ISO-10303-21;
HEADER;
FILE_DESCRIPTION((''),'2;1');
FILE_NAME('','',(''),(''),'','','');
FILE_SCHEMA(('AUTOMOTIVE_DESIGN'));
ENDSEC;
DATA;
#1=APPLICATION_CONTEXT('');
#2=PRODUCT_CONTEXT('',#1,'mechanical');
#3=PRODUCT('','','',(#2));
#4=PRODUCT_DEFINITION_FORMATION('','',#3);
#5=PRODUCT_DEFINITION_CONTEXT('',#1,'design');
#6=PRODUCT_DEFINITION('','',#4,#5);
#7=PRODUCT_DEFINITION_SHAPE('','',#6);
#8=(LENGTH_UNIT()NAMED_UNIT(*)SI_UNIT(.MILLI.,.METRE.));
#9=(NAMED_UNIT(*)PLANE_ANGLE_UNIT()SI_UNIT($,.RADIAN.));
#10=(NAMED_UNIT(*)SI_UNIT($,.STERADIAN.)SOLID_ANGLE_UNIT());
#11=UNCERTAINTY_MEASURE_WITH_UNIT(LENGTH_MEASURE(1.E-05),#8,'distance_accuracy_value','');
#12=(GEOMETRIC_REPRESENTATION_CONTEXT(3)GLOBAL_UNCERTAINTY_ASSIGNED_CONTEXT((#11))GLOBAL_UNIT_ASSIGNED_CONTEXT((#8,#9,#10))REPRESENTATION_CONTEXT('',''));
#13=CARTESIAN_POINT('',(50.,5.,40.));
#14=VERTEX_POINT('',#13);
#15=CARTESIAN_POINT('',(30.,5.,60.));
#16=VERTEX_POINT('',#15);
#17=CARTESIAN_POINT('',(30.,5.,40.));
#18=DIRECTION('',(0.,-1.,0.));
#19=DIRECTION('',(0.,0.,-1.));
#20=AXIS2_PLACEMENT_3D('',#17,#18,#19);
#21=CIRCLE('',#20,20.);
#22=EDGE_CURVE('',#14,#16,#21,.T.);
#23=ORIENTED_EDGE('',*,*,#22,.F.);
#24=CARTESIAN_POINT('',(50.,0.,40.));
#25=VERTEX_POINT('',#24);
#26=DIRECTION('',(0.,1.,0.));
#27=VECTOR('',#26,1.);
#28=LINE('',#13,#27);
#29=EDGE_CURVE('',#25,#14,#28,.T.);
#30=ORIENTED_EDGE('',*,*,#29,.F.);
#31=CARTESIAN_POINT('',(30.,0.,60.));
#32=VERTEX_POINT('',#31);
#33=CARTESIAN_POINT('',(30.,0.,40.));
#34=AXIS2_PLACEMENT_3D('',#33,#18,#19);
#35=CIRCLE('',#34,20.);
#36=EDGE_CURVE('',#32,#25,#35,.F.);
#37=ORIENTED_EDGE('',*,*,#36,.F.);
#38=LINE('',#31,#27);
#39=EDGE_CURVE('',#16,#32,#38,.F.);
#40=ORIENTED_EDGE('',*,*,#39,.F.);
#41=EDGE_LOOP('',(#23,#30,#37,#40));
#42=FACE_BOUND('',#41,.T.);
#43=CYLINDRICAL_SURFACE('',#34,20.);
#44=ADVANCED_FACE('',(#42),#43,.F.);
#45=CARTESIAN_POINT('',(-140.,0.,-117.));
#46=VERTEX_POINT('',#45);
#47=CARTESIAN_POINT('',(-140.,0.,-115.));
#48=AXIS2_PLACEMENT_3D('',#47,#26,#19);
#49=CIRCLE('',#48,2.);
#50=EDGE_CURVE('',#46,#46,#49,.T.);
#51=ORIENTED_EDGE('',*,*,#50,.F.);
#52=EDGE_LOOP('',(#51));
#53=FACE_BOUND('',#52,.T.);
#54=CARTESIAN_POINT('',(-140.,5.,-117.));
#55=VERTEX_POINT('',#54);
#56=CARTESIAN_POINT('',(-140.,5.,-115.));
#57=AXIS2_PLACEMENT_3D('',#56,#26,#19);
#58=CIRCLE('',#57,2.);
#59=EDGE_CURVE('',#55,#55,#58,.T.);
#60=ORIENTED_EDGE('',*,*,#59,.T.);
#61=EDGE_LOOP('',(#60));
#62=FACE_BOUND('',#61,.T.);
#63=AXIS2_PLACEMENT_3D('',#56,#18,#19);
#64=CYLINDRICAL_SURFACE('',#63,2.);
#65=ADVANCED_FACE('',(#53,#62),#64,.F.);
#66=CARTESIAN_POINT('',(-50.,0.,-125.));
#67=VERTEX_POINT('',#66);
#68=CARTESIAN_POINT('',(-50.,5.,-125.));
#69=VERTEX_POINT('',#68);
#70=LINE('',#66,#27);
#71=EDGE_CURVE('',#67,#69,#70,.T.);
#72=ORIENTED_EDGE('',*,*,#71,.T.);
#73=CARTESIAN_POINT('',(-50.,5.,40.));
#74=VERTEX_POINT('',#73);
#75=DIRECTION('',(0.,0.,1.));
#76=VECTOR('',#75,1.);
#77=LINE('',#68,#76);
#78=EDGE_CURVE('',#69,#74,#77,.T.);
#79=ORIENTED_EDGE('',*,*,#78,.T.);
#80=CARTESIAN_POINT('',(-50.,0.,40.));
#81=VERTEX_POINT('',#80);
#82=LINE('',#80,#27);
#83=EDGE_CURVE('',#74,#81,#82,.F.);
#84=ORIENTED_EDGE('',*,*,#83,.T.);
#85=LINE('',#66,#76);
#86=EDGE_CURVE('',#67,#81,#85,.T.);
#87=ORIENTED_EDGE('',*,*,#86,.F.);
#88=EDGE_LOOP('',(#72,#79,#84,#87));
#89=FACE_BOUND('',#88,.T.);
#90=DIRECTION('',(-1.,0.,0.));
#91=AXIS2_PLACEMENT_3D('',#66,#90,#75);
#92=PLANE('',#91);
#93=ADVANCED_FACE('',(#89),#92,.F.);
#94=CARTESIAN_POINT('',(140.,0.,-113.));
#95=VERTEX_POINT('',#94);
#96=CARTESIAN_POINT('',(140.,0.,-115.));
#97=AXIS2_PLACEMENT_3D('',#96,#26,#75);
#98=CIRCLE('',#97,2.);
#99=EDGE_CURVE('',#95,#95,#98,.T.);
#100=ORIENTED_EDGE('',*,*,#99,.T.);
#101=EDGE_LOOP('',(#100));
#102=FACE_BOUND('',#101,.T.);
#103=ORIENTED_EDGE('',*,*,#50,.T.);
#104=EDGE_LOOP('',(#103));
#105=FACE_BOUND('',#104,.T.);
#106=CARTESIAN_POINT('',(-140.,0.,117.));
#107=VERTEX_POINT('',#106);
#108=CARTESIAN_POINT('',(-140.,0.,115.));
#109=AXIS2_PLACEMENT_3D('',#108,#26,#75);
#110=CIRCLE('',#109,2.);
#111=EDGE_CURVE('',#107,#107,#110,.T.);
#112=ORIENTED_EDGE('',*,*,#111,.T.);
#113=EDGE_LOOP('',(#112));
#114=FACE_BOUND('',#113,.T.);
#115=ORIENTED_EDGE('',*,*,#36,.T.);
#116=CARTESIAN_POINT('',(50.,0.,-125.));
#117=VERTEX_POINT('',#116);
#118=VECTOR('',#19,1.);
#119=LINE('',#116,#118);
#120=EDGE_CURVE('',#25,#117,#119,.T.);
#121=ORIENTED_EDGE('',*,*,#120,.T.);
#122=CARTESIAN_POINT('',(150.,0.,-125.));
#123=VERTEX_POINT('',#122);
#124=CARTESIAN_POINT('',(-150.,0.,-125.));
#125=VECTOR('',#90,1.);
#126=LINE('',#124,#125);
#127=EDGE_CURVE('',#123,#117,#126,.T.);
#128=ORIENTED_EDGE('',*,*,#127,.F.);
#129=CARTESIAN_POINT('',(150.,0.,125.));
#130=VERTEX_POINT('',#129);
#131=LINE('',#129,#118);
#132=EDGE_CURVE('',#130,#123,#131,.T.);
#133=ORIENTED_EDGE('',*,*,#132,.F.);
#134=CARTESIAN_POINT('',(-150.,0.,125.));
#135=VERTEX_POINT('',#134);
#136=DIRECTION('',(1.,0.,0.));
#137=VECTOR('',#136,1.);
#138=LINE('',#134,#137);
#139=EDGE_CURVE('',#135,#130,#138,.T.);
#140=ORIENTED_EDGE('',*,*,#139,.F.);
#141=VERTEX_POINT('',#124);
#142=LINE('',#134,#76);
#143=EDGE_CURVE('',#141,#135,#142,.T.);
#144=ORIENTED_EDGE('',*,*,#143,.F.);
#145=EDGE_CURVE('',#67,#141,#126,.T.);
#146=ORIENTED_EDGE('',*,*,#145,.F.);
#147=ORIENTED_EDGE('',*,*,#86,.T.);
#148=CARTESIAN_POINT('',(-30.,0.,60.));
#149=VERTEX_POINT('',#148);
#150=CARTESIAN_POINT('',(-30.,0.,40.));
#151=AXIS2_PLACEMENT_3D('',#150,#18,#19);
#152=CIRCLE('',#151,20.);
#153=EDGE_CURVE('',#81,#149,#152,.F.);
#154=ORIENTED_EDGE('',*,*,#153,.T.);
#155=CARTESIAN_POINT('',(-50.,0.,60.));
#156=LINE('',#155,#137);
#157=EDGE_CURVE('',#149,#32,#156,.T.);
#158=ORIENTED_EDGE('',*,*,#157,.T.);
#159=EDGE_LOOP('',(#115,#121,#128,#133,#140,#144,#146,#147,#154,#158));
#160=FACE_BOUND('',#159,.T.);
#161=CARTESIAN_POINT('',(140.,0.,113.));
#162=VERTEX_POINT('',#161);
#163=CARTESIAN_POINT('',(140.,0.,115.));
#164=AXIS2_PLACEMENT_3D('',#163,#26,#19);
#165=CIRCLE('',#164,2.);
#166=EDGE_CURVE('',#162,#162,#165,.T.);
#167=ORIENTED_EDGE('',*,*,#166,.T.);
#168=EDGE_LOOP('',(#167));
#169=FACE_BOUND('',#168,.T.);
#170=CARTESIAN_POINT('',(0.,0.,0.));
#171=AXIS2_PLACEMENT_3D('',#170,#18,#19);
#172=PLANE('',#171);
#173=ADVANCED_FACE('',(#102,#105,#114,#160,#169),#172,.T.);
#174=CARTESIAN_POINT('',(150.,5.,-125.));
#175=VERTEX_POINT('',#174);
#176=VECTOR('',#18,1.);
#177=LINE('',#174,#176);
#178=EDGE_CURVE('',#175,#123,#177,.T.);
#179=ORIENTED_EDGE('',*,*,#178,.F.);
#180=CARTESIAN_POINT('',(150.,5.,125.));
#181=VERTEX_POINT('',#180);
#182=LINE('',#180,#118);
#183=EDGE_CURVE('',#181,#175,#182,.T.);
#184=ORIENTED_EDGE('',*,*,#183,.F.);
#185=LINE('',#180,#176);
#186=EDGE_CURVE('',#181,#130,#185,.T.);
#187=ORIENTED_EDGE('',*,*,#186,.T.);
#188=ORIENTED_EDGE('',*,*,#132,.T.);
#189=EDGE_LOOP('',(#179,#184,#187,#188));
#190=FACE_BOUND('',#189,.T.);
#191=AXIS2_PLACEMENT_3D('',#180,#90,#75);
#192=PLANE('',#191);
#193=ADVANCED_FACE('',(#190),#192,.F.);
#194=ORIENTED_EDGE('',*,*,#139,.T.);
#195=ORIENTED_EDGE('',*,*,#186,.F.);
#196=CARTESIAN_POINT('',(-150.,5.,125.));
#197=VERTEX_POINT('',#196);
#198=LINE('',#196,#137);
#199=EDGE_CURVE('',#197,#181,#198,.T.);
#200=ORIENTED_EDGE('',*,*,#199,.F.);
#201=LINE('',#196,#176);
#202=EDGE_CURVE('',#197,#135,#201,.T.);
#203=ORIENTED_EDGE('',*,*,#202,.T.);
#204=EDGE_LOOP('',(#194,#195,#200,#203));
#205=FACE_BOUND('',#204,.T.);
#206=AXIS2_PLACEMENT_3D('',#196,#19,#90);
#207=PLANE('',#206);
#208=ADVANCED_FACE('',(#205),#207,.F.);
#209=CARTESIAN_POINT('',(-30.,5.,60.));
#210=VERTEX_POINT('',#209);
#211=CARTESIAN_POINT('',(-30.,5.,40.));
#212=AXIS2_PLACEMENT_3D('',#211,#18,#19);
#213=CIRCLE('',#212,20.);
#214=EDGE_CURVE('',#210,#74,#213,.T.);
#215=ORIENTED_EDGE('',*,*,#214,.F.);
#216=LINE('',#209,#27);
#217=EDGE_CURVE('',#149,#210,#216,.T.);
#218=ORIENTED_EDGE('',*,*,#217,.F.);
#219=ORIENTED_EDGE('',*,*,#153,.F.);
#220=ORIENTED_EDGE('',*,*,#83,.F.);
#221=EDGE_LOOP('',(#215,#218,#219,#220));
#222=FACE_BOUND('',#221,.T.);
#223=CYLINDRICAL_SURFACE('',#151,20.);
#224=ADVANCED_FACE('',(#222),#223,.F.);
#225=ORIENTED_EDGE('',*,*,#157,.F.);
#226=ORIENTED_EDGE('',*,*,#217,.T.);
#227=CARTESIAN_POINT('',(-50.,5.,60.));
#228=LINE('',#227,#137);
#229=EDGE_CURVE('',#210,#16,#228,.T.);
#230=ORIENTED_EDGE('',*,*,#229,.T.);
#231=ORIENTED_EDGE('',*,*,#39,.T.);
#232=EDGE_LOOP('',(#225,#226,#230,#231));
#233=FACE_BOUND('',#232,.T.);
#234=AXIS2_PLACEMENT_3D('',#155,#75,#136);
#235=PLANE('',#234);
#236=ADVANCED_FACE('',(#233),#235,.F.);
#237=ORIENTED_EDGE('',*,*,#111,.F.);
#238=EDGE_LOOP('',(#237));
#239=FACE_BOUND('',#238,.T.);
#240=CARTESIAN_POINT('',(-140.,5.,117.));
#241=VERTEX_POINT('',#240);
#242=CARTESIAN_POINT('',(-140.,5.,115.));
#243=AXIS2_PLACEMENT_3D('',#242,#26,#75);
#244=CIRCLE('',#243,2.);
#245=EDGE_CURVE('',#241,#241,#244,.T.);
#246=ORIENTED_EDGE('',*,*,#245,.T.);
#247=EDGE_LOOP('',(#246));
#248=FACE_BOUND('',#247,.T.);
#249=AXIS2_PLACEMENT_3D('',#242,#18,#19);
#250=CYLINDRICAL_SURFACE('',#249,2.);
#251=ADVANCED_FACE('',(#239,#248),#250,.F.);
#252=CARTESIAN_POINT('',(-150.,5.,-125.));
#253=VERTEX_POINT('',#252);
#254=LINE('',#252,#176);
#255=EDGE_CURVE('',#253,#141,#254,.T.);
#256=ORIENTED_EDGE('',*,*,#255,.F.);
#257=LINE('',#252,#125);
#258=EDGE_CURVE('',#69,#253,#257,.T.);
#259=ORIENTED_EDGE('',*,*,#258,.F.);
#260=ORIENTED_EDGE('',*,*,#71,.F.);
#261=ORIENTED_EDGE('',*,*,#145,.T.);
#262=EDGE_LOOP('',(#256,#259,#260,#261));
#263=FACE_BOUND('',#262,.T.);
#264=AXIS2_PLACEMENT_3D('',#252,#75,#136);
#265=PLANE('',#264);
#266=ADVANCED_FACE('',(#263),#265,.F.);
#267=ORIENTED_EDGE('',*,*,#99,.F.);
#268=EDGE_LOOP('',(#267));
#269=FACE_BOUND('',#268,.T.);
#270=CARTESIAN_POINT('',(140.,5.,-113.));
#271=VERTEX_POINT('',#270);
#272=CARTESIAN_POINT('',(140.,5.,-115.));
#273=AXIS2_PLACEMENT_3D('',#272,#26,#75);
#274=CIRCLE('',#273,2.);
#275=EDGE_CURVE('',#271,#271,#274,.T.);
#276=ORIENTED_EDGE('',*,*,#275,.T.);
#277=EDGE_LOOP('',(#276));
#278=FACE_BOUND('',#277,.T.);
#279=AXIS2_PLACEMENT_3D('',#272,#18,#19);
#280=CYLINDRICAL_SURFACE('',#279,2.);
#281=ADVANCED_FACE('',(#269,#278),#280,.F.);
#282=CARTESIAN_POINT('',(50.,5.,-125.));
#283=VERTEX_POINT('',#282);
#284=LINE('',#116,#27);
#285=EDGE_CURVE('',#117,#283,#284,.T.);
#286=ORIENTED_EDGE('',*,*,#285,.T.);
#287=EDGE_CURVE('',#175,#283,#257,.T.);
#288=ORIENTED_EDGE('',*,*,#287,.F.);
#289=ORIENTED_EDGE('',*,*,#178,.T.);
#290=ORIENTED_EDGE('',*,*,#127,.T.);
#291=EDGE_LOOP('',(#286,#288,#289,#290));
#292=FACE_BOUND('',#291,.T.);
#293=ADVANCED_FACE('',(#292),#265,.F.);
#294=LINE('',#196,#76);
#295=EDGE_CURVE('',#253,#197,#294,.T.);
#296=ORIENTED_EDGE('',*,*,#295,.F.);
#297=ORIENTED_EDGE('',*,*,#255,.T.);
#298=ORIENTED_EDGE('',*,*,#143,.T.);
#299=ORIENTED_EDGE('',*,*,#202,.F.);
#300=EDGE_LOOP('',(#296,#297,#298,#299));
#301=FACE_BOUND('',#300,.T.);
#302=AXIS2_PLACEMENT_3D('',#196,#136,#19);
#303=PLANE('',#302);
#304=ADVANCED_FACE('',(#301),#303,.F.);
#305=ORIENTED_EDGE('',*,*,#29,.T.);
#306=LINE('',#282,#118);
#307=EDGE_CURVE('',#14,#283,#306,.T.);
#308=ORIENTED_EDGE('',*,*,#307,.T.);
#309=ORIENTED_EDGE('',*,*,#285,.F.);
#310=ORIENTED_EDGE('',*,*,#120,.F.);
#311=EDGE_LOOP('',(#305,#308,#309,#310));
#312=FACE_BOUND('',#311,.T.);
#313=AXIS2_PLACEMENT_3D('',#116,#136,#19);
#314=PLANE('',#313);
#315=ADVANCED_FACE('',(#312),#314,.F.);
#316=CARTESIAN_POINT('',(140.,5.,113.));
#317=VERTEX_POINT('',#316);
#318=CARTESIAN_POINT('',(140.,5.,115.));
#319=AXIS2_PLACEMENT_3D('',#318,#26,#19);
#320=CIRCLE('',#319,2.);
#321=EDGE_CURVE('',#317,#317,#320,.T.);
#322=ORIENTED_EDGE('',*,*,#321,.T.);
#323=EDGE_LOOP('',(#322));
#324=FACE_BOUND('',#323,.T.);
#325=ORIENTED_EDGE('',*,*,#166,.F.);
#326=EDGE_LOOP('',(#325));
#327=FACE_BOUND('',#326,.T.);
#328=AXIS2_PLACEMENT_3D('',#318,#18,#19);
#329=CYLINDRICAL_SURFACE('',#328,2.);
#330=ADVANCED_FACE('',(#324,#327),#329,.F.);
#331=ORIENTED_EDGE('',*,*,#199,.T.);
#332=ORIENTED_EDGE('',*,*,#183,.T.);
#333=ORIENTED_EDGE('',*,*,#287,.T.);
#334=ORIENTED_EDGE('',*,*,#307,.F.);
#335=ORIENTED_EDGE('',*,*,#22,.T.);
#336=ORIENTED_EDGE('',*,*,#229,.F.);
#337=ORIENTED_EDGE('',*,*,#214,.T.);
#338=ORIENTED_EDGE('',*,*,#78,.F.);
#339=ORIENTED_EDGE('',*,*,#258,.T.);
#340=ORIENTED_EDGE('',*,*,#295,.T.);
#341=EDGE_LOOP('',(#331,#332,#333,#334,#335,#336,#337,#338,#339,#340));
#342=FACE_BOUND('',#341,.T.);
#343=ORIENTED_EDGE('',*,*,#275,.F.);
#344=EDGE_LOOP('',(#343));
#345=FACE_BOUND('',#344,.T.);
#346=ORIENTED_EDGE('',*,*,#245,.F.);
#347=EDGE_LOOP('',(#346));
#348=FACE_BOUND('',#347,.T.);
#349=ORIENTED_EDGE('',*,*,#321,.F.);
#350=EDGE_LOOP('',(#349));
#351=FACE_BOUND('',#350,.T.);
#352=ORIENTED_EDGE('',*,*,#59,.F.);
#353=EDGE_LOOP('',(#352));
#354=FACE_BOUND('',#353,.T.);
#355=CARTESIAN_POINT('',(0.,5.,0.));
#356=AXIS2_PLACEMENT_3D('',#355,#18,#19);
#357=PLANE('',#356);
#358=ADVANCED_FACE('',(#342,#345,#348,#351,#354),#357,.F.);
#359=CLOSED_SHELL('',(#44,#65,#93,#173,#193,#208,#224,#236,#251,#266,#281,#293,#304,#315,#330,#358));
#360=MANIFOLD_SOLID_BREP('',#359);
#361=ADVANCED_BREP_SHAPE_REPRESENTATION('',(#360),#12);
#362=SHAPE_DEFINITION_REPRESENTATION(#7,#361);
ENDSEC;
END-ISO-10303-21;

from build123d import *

# Parameters (mm, degrees)
SKETCH1_W           = 300
SKETCH1_H           = 250
SKETCH1_R           = 2
BOSS_EXTRUDE1_DEPTH = 5
SKETCH2_W           = 100
SKETCH2_H           = 185
CUT_EXTRUDE1_DEPTH  = 6
FILLET1_R           = 20


with BuildPart() as part:
    # Sketch1 → Boss-Extrude1 (new body)
    with BuildSketch(Plane(origin=(0, 0, 0), x_dir=(1, 0, 0), z_dir=(0, 1, 0))):
        Rectangle(SKETCH1_W, SKETCH1_H)
        with Locations((-140, -115)):
            Circle(SKETCH1_R, mode=Mode.SUBTRACT)
        with Locations((-140, 115)):
            Circle(SKETCH1_R, mode=Mode.SUBTRACT)
        with Locations((140, -115)):
            Circle(SKETCH1_R, mode=Mode.SUBTRACT)
        with Locations((140, 115)):
            Circle(SKETCH1_R, mode=Mode.SUBTRACT)
    extrude(amount=BOSS_EXTRUDE1_DEPTH)

    # Sketch2 → Cut-Extrude1 (cut, through all)
    with BuildSketch(Plane(origin=(0, 5, 0), x_dir=(1, 0, 0), z_dir=(0, 1, 0))):
        with Locations((0, 32.5)):
            Rectangle(SKETCH2_W, SKETCH2_H)
    extrude(amount=-CUT_EXTRUDE1_DEPTH, mode=Mode.SUBTRACT)

    # Fillet1
    fillet1_edges = [part.edges().sort_by_distance(p)[0] for p in [
        (-50, 2.5, 60),
        (50, 2.5, 60),
    ]]
    fillet(fillet1_edges, radius=FILLET1_R)


solid = part.part
